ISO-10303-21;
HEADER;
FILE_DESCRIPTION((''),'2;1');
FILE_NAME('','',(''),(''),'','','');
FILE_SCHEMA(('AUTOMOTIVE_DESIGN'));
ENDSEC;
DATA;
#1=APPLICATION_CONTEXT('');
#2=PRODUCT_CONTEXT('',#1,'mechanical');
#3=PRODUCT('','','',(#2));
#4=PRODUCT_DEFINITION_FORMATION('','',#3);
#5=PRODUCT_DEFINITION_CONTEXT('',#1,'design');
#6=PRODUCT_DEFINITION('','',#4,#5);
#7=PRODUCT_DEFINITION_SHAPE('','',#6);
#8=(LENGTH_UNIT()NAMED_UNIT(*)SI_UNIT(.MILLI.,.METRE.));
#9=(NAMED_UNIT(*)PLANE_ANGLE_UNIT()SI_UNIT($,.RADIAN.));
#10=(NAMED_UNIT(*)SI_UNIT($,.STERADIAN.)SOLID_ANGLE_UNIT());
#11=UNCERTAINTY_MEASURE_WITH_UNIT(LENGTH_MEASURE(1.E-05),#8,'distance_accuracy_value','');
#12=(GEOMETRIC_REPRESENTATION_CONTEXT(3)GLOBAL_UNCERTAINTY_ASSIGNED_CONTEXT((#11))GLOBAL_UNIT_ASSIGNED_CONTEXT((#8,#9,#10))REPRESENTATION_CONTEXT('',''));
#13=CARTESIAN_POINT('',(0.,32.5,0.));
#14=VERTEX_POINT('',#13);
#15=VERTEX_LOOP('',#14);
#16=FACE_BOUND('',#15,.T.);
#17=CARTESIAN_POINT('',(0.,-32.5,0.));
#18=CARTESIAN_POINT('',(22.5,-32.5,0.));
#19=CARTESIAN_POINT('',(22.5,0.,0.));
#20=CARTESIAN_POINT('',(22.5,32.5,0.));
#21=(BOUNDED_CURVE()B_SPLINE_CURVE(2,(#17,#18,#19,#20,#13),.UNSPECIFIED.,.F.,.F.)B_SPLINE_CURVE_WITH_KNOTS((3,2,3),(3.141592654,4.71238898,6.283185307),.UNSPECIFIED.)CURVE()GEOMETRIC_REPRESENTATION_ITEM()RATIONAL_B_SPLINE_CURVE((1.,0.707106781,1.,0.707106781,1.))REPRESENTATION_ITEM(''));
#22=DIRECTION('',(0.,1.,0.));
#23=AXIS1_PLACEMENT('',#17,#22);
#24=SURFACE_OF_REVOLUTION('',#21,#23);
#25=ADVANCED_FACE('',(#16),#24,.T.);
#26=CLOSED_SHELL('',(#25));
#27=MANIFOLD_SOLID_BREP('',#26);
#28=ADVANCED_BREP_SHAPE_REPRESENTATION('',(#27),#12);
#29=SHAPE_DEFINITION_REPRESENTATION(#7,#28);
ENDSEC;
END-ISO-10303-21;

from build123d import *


with BuildPart() as part:
    # Çizim1 → Döndür1 (revolve)
    with BuildSketch(Plane.XY):
        with BuildLine():
            Line((0, -32.5), (0, 32.5))
            add(Edge.make_bspline(
                [(0, -32.5), (22.5, -32.5), (22.5, 0), (22.5, 32.5), (0, 32.5)],
                knots=[3.141592654, 3.141592654, 3.141592654, 4.71238898, 4.71238898, 6.283185307, 6.283185307, 6.283185307], degree=2, weights=[1, 0.707106781, 1, 0.707106781, 1]))
        make_face()
    revolve(axis=Axis((0, -32.5, 0), (0, 1, 0)))


solid = part.part
